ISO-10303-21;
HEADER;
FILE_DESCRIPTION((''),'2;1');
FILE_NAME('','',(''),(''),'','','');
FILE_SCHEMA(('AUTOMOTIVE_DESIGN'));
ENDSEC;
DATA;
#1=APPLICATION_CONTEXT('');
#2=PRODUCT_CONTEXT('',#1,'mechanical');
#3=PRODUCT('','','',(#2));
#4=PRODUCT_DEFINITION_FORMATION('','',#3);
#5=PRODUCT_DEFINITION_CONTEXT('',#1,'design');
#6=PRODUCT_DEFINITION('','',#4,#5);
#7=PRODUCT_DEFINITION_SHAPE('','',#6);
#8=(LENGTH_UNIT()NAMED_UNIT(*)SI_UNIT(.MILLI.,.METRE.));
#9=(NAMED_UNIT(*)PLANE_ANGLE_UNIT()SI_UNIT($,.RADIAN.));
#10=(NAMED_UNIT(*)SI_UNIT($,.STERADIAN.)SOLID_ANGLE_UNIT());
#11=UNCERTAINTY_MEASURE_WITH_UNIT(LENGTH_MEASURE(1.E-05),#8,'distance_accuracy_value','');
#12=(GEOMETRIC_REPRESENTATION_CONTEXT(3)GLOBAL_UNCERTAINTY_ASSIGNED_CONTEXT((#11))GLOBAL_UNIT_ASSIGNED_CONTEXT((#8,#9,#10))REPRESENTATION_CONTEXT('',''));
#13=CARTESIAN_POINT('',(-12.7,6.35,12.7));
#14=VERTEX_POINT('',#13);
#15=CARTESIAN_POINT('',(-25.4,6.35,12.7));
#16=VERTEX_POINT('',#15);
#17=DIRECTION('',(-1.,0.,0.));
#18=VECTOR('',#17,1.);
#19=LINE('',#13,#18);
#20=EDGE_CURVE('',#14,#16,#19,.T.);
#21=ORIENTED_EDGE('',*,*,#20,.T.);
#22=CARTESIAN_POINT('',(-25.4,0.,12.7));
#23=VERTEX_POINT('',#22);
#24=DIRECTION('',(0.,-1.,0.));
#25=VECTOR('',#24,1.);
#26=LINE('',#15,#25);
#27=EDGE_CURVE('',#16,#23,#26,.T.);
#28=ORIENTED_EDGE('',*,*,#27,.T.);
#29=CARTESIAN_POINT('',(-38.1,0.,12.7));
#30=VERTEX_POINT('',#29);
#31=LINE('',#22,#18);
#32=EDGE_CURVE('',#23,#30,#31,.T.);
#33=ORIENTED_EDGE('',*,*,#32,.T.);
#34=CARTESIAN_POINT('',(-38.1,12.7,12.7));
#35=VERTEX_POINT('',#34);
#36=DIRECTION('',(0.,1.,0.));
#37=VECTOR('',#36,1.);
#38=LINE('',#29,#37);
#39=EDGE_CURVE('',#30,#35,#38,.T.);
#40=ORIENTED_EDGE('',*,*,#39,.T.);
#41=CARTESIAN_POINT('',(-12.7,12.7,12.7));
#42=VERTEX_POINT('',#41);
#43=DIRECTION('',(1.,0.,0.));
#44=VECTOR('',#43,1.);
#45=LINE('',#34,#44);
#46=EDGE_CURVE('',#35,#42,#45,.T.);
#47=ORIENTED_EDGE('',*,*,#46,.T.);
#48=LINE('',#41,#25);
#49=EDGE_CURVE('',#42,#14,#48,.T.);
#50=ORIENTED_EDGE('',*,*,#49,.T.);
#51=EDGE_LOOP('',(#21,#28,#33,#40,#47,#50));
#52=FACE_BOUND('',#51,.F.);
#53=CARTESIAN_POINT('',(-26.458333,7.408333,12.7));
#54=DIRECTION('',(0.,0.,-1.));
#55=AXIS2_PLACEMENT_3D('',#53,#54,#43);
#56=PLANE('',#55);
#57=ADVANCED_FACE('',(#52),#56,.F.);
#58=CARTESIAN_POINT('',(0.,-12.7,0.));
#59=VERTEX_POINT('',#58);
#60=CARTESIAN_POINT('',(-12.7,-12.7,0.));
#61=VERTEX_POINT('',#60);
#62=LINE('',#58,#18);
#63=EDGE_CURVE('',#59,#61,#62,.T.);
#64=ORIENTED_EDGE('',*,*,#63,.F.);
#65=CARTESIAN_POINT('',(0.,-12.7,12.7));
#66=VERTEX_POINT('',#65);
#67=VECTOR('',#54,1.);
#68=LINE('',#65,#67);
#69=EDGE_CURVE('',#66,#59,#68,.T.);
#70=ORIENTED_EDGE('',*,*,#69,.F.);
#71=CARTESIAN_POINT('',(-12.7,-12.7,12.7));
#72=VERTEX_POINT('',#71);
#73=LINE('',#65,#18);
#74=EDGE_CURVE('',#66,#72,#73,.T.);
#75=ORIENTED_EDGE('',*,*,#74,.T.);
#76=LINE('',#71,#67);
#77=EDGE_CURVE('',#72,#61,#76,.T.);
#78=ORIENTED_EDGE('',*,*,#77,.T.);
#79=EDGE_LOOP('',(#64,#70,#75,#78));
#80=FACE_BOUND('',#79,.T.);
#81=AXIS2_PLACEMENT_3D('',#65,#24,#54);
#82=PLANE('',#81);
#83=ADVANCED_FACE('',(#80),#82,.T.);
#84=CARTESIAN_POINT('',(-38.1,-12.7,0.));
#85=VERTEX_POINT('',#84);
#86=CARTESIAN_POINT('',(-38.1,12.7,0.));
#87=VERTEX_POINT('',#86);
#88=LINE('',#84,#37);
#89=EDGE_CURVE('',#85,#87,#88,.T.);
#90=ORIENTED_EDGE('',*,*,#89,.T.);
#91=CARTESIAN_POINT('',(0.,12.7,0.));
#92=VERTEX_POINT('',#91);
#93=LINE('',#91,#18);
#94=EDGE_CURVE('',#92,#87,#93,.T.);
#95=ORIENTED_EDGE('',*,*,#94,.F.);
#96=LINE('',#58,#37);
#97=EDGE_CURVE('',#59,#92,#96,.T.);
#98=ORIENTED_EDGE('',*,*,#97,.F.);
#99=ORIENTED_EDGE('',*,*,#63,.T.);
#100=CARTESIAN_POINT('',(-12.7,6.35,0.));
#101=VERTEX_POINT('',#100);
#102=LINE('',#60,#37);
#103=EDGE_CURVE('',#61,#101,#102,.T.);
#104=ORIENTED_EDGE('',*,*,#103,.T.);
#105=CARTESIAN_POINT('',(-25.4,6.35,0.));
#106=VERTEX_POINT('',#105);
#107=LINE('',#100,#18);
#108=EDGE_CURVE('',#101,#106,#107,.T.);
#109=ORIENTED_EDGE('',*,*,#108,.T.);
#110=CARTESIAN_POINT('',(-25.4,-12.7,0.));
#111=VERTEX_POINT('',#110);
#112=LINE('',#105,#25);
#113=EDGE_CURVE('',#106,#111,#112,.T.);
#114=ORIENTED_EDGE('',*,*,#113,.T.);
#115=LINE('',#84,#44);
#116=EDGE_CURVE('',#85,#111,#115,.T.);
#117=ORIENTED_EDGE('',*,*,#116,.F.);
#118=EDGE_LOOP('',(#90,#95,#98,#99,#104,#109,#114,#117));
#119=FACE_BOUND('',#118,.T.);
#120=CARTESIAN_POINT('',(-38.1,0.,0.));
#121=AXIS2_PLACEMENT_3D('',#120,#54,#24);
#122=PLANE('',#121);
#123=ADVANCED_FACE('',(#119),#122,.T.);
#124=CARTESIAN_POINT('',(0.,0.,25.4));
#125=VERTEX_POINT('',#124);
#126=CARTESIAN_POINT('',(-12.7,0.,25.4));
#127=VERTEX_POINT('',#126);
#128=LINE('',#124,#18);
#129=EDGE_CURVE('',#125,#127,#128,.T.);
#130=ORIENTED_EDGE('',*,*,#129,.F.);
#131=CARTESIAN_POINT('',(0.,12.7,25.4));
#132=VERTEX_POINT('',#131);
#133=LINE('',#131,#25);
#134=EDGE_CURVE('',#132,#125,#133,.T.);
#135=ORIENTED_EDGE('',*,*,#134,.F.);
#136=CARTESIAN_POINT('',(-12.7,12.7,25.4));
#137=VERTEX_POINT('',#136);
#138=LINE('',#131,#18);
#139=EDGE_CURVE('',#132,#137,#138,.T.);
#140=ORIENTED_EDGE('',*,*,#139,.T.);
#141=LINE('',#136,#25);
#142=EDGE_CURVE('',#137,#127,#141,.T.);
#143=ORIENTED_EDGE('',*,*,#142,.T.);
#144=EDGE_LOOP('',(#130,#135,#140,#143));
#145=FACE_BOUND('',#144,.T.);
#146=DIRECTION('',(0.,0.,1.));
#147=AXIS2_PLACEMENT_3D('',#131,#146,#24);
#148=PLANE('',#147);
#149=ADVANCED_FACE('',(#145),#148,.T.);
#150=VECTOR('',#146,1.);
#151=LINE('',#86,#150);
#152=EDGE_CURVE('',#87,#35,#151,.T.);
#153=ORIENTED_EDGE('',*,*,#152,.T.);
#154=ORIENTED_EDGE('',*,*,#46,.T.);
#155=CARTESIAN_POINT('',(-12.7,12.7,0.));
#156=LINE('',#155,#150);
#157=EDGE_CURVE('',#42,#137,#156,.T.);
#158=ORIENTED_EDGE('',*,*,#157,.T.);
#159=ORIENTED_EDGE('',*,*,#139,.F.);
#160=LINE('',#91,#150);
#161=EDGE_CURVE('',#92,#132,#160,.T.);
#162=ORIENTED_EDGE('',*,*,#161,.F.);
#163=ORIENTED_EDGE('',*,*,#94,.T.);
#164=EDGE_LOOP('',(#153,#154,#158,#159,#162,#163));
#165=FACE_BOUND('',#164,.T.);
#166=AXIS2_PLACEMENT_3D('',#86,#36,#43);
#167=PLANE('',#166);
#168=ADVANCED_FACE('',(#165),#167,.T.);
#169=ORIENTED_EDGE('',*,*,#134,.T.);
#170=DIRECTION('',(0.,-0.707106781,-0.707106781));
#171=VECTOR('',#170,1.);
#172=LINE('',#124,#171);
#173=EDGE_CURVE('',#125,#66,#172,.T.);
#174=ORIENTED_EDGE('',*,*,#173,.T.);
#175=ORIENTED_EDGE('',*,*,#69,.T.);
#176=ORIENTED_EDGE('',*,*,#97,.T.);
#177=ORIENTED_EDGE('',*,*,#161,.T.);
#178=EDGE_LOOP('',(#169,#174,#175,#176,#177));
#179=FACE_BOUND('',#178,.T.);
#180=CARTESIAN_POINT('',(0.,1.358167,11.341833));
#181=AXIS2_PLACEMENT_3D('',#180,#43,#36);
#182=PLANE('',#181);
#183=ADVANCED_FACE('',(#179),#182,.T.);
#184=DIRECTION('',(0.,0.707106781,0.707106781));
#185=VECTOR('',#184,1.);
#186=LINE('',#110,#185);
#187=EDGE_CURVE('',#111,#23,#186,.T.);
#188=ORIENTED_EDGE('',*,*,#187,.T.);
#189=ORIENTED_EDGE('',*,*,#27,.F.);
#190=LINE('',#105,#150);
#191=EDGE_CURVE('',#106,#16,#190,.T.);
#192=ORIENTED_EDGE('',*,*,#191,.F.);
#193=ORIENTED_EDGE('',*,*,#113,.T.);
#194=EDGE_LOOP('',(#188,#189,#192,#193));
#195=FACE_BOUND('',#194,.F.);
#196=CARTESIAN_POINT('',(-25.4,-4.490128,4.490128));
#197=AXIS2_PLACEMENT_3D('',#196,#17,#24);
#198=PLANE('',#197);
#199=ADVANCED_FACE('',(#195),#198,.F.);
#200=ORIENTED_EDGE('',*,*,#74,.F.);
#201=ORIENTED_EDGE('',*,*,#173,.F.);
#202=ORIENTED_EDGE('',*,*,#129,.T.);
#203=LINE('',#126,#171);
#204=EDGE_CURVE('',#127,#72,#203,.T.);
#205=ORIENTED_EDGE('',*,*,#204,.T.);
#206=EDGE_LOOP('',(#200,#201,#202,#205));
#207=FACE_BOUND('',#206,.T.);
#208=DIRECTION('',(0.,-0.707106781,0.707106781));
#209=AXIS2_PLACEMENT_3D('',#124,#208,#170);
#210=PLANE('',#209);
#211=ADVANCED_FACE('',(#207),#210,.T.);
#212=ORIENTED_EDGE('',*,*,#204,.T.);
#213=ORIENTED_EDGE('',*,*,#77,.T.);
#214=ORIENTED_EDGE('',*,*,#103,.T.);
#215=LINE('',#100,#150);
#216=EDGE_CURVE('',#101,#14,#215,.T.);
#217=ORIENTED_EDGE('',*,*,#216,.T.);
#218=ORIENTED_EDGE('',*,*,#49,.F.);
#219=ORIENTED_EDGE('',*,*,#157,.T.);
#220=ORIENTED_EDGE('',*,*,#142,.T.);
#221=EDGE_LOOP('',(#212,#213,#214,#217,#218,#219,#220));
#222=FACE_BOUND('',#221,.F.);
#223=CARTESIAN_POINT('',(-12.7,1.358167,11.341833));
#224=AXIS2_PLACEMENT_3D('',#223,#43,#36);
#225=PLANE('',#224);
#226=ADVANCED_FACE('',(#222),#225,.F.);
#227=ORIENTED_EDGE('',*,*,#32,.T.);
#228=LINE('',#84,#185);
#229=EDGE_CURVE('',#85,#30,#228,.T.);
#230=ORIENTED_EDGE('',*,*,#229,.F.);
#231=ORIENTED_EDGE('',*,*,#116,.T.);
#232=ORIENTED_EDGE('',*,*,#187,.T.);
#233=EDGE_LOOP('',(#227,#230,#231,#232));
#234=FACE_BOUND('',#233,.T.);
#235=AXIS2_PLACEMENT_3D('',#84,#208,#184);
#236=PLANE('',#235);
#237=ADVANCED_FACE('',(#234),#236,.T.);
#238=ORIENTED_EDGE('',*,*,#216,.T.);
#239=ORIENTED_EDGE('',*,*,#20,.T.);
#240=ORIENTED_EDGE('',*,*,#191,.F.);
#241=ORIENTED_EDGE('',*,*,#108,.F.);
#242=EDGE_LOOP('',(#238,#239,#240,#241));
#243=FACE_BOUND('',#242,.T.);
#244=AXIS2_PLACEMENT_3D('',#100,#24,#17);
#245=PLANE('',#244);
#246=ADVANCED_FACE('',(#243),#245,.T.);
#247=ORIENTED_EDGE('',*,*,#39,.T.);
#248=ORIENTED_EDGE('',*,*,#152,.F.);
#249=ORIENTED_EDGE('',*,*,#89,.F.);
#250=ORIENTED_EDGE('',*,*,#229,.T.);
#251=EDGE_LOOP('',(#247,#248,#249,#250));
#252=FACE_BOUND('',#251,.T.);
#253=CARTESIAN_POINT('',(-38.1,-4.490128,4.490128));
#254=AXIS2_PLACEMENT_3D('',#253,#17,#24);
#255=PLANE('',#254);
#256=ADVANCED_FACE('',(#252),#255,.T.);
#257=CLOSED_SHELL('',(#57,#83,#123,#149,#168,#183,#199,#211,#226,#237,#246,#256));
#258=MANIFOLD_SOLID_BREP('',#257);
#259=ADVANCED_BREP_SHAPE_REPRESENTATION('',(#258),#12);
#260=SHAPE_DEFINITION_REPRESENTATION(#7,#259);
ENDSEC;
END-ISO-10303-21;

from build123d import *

# Parameters (mm, degrees)
F1_DEPTH = 12.7
F3_DEPTH = 12.7
F5_DEPTH = 12.7


with BuildPart() as f1:
    # F0 (on Right) → F1 (new body)
    with BuildSketch(Plane.YZ):
        Polygon((-12.7, 12.7), (-12.7, 0), (12.7, 0), (12.7, 25.4), (0, 25.4), align=None)
    extrude(amount=-F1_DEPTH)

    # F2 (on face) → F3 (join)
    with BuildSketch(Plane(origin=(0, 0, 0), x_dir=(1, 0, 0), z_dir=(0, 0, -1))):
        Polygon((-38.1, -12.7), (-12.7, -12.7), (-12.7, -6.35), (-25.4, -6.35), (-25.4, 0), (-38.1, 0), align=None)
    extrude(amount=-F3_DEPTH)

    # F4 (on face) → F5 (join)
    with BuildSketch(Plane(origin=(-38.1, 0, 0), x_dir=(0, -1, 0), z_dir=(-1, 0, 0))):
        Polygon((12.7, 0), (0, 12.7), (0, 0), align=None)
    extrude(amount=-F5_DEPTH)


solid = f1.part
